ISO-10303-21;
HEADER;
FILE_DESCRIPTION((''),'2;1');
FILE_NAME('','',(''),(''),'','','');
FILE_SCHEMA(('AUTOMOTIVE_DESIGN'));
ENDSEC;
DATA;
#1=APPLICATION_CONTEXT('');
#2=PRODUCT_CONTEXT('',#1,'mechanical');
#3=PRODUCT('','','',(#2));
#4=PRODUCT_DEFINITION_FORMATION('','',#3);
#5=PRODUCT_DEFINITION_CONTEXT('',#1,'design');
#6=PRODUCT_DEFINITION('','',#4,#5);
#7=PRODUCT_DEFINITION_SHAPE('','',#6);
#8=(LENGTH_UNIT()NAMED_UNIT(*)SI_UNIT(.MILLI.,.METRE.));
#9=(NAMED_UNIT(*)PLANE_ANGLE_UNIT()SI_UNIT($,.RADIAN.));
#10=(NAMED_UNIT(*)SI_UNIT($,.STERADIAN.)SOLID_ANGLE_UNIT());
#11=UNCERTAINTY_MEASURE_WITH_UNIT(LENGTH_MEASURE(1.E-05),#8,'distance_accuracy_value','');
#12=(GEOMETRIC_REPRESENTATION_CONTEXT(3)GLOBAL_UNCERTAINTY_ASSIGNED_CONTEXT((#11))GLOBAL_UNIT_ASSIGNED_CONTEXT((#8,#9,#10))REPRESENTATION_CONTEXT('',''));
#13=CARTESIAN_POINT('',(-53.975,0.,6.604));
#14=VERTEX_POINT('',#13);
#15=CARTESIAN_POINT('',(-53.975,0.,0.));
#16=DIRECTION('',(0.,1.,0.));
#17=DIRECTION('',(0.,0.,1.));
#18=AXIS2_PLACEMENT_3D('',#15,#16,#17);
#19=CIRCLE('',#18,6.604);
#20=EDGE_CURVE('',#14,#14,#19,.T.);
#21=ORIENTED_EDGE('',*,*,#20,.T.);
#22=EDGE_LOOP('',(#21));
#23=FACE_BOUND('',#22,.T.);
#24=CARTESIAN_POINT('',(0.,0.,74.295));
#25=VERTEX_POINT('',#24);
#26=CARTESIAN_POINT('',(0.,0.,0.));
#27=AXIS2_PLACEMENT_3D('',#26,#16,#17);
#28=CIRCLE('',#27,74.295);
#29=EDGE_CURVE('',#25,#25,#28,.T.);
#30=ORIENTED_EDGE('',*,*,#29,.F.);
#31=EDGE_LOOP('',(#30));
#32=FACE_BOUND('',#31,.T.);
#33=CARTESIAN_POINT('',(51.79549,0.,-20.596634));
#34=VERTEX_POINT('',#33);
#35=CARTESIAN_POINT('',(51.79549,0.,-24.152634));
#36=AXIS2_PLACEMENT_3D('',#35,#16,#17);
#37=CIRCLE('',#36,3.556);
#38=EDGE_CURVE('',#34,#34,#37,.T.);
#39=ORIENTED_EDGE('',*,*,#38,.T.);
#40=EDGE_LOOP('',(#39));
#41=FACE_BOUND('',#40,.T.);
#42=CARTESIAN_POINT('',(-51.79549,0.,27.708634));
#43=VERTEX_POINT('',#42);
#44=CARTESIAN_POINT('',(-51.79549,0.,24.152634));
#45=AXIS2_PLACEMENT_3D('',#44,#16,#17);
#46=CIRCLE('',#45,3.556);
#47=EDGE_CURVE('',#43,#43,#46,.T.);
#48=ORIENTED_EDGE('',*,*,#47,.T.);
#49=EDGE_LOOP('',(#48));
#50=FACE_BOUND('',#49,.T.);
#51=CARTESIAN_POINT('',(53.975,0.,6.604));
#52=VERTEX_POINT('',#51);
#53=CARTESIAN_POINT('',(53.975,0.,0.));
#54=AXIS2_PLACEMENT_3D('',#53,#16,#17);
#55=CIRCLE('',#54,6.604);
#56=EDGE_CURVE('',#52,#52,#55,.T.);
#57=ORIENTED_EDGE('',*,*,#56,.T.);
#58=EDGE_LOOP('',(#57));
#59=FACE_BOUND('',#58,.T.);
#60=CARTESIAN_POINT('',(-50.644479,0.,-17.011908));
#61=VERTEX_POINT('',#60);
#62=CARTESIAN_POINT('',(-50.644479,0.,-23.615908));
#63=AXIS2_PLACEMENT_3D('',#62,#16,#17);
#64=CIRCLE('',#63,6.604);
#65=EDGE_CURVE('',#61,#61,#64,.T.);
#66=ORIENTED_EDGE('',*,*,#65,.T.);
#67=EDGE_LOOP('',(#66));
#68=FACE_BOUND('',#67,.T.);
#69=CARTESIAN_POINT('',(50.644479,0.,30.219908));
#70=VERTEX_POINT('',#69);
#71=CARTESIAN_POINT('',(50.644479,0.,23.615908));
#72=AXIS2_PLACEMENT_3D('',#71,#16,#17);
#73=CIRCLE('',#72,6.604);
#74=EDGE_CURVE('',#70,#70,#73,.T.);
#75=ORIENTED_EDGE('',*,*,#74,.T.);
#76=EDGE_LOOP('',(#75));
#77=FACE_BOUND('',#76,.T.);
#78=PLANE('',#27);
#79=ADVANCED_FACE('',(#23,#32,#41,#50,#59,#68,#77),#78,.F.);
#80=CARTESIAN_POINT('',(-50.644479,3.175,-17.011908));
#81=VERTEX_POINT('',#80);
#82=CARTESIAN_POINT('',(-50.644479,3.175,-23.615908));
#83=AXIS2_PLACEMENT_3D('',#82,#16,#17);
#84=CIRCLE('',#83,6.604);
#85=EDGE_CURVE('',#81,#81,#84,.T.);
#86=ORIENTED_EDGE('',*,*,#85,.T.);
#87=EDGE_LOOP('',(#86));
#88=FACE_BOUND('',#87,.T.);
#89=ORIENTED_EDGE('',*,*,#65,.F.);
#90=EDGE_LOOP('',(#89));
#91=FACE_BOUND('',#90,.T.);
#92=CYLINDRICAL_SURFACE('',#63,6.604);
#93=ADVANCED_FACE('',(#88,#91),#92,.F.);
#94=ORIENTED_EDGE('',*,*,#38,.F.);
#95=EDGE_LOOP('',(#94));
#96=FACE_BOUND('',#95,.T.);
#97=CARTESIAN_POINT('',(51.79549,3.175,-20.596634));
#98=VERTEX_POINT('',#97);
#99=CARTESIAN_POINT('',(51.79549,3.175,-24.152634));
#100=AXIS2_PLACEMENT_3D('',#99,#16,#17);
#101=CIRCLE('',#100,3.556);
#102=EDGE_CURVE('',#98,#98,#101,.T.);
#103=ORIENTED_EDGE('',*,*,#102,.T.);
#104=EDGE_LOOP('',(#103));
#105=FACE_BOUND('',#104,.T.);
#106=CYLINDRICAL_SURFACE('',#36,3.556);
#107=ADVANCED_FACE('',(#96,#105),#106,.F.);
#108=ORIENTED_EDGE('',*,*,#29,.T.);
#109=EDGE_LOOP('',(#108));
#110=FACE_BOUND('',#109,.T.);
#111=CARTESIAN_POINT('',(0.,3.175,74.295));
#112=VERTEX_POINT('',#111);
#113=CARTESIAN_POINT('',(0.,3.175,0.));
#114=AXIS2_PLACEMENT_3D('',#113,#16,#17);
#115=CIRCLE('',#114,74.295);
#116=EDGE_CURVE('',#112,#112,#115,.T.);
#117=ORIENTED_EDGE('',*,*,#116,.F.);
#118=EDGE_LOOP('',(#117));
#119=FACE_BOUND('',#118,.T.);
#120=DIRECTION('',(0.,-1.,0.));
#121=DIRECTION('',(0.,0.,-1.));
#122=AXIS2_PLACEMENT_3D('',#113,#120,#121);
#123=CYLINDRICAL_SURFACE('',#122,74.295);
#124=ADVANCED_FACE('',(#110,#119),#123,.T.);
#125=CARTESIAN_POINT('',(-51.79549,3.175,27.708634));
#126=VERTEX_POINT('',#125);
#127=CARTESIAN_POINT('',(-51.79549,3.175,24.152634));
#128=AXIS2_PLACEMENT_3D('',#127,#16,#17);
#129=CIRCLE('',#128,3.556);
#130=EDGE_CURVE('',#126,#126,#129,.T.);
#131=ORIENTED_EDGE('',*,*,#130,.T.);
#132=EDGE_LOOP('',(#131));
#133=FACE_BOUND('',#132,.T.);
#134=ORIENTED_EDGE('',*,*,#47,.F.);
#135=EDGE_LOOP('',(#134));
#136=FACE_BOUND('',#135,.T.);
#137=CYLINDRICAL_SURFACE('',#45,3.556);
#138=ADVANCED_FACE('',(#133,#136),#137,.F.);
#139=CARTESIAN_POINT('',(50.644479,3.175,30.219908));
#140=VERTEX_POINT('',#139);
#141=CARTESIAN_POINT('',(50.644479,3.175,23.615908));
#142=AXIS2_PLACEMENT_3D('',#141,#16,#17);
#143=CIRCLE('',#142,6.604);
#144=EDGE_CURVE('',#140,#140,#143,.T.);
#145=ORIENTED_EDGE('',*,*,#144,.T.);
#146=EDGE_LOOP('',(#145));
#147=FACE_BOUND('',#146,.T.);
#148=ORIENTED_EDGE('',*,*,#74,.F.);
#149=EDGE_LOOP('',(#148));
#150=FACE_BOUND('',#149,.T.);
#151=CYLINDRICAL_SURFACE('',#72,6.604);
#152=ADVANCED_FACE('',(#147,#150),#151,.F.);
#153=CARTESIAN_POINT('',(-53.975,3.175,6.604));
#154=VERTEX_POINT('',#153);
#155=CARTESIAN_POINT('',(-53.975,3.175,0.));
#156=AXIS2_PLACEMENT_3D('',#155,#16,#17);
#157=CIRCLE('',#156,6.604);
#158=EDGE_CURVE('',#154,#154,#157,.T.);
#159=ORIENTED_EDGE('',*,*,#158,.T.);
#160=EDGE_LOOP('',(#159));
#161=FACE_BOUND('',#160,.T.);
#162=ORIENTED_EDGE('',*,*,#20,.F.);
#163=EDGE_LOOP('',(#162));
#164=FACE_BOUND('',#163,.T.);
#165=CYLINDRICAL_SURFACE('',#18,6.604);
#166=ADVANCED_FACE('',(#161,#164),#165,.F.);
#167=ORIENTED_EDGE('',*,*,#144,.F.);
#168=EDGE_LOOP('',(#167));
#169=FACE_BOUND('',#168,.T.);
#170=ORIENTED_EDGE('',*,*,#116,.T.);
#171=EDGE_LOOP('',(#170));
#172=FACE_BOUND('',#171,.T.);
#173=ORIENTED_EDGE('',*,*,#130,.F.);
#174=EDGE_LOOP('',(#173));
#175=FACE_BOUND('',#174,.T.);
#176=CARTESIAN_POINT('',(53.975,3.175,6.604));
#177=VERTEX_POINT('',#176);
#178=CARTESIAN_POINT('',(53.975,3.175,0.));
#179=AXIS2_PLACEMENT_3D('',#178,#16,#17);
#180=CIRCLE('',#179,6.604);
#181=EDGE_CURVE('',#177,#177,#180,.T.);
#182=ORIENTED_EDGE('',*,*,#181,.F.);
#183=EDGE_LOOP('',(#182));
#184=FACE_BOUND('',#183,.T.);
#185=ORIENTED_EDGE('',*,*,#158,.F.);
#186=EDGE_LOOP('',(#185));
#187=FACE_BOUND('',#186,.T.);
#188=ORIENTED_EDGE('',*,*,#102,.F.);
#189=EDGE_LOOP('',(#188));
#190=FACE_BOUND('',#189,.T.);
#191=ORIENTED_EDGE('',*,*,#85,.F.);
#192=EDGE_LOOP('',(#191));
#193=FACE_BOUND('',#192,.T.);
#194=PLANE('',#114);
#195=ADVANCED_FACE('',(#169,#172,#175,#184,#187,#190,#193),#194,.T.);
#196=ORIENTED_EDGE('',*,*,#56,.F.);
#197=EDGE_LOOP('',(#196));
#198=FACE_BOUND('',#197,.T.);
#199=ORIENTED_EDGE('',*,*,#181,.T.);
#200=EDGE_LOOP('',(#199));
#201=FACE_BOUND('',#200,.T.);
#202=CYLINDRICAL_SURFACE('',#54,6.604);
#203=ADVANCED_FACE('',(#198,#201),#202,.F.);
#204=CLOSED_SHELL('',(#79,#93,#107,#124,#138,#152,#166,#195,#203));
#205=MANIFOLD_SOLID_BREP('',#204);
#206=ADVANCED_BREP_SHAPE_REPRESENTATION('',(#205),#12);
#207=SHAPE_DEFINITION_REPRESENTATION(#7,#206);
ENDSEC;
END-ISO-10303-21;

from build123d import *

# Parameters (mm, degrees)
SKETCH1_R           = 74.295
BOSS_EXTRUDE1_DEPTH = 3.175
SKETCH2_R           = 3.556
SKETCH2_R_2         = 6.604
CUT_EXTRUDE1_DEPTH  = 3.175


with BuildPart() as part:
    # Sketch1 → Boss-Extrude1 (new body)
    with BuildSketch(Plane(origin=(0, 0, 0), x_dir=(1, 0, 0), z_dir=(0, 1, 0))):
        with Locations(Location((0, 0, 0), (0, 0, 270))):
            Circle(SKETCH1_R)
    extrude(amount=BOSS_EXTRUDE1_DEPTH)

    # Sketch2 → Cut-Extrude1 (cut)
    with BuildSketch(Plane(origin=(0, 3.175, 0), x_dir=(1, 0, 0), z_dir=(0, 1, 0))):
        with Locations(Location((-51.795490029, -24.152633658, 0), (0, 0, 270))):
            Circle(SKETCH2_R)
        with Locations(Location((51.795490029, 24.152633658, 0), (0, 0, 270))):
            Circle(SKETCH2_R)
        with Locations(Location((-53.975, 0, 0), (0, 0, 270))):
            Circle(SKETCH2_R_2)
        with Locations(Location((53.975, 0, 0), (0, 0, 270))):
            Circle(SKETCH2_R_2)
        with Locations(Location((50.64447914, -23.615908466, 0), (0, 0, 270))):
            Circle(SKETCH2_R_2)
        with Locations(Location((-50.64447914, 23.615908466, 0), (0, 0, 270))):
            Circle(SKETCH2_R_2)
    extrude(amount=-CUT_EXTRUDE1_DEPTH, mode=Mode.SUBTRACT)


solid = part.part
